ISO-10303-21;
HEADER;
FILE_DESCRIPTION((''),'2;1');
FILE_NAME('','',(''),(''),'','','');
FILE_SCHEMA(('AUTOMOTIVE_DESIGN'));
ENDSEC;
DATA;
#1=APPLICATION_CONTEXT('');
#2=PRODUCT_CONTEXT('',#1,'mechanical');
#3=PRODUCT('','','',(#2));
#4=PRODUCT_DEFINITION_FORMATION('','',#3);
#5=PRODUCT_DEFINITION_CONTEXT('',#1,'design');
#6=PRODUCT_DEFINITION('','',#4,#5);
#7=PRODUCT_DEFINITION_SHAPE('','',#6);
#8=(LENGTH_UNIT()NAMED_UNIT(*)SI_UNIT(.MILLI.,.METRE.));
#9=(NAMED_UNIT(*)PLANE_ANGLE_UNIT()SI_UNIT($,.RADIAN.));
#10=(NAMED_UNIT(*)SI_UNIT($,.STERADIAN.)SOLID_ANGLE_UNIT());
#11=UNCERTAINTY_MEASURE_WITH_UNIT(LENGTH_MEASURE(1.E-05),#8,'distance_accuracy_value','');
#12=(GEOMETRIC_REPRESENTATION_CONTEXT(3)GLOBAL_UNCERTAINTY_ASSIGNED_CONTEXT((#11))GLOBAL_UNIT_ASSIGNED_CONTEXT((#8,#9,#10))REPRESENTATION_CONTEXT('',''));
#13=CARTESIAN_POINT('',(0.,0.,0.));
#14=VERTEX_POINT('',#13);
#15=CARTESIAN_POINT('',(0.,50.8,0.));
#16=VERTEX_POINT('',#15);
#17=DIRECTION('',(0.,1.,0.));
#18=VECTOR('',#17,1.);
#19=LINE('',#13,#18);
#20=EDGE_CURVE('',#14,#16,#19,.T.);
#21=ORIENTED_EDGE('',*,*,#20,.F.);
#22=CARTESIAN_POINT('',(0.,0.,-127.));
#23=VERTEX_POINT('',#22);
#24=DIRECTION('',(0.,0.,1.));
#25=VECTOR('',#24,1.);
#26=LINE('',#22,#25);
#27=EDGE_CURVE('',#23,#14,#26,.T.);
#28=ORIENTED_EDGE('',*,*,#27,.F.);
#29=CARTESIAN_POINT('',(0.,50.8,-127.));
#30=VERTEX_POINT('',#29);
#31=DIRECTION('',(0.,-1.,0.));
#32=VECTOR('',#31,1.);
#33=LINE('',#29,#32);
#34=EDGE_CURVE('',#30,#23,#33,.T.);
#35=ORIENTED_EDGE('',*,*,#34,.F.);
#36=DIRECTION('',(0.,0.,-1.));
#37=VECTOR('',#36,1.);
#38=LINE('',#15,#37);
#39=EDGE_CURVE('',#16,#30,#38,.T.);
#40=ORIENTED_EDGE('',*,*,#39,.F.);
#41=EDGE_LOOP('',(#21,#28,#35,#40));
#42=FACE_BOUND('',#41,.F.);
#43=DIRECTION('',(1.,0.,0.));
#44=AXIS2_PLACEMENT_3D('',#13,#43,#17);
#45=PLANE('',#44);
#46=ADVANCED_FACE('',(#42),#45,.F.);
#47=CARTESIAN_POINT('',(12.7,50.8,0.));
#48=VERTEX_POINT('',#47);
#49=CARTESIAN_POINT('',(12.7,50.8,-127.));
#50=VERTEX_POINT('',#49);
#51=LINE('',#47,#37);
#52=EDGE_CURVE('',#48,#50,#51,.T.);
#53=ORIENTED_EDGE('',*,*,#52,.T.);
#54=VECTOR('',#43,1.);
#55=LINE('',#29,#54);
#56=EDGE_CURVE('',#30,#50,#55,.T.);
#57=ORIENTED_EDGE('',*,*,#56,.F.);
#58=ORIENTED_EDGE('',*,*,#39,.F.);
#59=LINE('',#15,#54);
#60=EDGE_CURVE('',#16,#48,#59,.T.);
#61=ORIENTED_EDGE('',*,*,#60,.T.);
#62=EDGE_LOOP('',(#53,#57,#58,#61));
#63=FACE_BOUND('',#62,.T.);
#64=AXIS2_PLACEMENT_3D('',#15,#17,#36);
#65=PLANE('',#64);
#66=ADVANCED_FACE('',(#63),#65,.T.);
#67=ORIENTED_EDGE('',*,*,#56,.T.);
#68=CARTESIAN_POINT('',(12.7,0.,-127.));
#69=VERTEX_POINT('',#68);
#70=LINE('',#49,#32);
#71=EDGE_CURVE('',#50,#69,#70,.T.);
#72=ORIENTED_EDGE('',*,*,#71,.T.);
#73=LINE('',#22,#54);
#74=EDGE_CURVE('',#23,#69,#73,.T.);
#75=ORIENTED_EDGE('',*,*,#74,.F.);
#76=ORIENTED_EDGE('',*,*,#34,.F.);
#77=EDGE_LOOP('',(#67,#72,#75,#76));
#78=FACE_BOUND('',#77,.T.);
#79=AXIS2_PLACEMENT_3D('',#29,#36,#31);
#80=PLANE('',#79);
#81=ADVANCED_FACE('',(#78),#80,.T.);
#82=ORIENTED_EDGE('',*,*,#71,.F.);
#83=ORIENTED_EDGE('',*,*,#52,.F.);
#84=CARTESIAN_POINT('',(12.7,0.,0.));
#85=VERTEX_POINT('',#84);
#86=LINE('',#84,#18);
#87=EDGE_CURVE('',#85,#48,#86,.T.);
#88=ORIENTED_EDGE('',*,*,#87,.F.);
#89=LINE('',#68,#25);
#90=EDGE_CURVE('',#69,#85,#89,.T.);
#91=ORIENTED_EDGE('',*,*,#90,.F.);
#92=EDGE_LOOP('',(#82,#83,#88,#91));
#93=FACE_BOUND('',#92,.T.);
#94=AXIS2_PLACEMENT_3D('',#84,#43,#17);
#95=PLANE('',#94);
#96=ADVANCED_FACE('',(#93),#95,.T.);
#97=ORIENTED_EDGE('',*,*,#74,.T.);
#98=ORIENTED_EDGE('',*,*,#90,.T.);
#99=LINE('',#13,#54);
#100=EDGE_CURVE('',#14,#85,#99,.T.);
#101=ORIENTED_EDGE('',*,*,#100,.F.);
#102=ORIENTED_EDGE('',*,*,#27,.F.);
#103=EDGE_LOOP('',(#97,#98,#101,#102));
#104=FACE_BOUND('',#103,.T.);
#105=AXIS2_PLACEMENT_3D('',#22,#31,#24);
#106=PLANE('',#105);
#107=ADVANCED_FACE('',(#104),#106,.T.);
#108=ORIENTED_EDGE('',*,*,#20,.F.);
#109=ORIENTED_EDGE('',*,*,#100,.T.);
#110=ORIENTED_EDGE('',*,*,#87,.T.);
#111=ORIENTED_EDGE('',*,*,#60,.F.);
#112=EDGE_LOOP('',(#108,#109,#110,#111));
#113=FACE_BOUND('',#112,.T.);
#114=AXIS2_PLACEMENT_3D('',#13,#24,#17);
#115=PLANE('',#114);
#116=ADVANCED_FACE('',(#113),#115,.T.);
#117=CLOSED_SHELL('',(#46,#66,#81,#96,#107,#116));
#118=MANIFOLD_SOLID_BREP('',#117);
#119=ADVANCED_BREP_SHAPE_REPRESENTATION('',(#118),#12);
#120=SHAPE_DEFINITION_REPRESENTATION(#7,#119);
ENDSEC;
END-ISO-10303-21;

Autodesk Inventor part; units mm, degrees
ref_plane "YZ Plane" through (0, 0, 0) normal (1, 0, 0) x (0, 1, 0)
ref_plane "XZ Plane" through (0, 0, 0) normal (0, 1, 0) x (-1, 0, 0)
ref_plane "XY Plane" through (0, 0, 0) normal (0, 0, 1) x (1, 0, 0)
sketch "Sketch1" plane through (0, 0, 0) normal (1, 0, 0) x (0, 1, 0)
  line L0 (0, 0) -> (50.8, 0)
  line L1 (50.8, 0) -> (50.8, -127)
  line L2 (50.8, -127) -> (0, -127)
  line L3 (0, -127) -> (0, 0)
  dimension "d0" = 50.8
  dimension "d1" = 127
extrude "Extrusion1" add sketch "Sketch1" along normal blind 12.7
properties part number "side"
